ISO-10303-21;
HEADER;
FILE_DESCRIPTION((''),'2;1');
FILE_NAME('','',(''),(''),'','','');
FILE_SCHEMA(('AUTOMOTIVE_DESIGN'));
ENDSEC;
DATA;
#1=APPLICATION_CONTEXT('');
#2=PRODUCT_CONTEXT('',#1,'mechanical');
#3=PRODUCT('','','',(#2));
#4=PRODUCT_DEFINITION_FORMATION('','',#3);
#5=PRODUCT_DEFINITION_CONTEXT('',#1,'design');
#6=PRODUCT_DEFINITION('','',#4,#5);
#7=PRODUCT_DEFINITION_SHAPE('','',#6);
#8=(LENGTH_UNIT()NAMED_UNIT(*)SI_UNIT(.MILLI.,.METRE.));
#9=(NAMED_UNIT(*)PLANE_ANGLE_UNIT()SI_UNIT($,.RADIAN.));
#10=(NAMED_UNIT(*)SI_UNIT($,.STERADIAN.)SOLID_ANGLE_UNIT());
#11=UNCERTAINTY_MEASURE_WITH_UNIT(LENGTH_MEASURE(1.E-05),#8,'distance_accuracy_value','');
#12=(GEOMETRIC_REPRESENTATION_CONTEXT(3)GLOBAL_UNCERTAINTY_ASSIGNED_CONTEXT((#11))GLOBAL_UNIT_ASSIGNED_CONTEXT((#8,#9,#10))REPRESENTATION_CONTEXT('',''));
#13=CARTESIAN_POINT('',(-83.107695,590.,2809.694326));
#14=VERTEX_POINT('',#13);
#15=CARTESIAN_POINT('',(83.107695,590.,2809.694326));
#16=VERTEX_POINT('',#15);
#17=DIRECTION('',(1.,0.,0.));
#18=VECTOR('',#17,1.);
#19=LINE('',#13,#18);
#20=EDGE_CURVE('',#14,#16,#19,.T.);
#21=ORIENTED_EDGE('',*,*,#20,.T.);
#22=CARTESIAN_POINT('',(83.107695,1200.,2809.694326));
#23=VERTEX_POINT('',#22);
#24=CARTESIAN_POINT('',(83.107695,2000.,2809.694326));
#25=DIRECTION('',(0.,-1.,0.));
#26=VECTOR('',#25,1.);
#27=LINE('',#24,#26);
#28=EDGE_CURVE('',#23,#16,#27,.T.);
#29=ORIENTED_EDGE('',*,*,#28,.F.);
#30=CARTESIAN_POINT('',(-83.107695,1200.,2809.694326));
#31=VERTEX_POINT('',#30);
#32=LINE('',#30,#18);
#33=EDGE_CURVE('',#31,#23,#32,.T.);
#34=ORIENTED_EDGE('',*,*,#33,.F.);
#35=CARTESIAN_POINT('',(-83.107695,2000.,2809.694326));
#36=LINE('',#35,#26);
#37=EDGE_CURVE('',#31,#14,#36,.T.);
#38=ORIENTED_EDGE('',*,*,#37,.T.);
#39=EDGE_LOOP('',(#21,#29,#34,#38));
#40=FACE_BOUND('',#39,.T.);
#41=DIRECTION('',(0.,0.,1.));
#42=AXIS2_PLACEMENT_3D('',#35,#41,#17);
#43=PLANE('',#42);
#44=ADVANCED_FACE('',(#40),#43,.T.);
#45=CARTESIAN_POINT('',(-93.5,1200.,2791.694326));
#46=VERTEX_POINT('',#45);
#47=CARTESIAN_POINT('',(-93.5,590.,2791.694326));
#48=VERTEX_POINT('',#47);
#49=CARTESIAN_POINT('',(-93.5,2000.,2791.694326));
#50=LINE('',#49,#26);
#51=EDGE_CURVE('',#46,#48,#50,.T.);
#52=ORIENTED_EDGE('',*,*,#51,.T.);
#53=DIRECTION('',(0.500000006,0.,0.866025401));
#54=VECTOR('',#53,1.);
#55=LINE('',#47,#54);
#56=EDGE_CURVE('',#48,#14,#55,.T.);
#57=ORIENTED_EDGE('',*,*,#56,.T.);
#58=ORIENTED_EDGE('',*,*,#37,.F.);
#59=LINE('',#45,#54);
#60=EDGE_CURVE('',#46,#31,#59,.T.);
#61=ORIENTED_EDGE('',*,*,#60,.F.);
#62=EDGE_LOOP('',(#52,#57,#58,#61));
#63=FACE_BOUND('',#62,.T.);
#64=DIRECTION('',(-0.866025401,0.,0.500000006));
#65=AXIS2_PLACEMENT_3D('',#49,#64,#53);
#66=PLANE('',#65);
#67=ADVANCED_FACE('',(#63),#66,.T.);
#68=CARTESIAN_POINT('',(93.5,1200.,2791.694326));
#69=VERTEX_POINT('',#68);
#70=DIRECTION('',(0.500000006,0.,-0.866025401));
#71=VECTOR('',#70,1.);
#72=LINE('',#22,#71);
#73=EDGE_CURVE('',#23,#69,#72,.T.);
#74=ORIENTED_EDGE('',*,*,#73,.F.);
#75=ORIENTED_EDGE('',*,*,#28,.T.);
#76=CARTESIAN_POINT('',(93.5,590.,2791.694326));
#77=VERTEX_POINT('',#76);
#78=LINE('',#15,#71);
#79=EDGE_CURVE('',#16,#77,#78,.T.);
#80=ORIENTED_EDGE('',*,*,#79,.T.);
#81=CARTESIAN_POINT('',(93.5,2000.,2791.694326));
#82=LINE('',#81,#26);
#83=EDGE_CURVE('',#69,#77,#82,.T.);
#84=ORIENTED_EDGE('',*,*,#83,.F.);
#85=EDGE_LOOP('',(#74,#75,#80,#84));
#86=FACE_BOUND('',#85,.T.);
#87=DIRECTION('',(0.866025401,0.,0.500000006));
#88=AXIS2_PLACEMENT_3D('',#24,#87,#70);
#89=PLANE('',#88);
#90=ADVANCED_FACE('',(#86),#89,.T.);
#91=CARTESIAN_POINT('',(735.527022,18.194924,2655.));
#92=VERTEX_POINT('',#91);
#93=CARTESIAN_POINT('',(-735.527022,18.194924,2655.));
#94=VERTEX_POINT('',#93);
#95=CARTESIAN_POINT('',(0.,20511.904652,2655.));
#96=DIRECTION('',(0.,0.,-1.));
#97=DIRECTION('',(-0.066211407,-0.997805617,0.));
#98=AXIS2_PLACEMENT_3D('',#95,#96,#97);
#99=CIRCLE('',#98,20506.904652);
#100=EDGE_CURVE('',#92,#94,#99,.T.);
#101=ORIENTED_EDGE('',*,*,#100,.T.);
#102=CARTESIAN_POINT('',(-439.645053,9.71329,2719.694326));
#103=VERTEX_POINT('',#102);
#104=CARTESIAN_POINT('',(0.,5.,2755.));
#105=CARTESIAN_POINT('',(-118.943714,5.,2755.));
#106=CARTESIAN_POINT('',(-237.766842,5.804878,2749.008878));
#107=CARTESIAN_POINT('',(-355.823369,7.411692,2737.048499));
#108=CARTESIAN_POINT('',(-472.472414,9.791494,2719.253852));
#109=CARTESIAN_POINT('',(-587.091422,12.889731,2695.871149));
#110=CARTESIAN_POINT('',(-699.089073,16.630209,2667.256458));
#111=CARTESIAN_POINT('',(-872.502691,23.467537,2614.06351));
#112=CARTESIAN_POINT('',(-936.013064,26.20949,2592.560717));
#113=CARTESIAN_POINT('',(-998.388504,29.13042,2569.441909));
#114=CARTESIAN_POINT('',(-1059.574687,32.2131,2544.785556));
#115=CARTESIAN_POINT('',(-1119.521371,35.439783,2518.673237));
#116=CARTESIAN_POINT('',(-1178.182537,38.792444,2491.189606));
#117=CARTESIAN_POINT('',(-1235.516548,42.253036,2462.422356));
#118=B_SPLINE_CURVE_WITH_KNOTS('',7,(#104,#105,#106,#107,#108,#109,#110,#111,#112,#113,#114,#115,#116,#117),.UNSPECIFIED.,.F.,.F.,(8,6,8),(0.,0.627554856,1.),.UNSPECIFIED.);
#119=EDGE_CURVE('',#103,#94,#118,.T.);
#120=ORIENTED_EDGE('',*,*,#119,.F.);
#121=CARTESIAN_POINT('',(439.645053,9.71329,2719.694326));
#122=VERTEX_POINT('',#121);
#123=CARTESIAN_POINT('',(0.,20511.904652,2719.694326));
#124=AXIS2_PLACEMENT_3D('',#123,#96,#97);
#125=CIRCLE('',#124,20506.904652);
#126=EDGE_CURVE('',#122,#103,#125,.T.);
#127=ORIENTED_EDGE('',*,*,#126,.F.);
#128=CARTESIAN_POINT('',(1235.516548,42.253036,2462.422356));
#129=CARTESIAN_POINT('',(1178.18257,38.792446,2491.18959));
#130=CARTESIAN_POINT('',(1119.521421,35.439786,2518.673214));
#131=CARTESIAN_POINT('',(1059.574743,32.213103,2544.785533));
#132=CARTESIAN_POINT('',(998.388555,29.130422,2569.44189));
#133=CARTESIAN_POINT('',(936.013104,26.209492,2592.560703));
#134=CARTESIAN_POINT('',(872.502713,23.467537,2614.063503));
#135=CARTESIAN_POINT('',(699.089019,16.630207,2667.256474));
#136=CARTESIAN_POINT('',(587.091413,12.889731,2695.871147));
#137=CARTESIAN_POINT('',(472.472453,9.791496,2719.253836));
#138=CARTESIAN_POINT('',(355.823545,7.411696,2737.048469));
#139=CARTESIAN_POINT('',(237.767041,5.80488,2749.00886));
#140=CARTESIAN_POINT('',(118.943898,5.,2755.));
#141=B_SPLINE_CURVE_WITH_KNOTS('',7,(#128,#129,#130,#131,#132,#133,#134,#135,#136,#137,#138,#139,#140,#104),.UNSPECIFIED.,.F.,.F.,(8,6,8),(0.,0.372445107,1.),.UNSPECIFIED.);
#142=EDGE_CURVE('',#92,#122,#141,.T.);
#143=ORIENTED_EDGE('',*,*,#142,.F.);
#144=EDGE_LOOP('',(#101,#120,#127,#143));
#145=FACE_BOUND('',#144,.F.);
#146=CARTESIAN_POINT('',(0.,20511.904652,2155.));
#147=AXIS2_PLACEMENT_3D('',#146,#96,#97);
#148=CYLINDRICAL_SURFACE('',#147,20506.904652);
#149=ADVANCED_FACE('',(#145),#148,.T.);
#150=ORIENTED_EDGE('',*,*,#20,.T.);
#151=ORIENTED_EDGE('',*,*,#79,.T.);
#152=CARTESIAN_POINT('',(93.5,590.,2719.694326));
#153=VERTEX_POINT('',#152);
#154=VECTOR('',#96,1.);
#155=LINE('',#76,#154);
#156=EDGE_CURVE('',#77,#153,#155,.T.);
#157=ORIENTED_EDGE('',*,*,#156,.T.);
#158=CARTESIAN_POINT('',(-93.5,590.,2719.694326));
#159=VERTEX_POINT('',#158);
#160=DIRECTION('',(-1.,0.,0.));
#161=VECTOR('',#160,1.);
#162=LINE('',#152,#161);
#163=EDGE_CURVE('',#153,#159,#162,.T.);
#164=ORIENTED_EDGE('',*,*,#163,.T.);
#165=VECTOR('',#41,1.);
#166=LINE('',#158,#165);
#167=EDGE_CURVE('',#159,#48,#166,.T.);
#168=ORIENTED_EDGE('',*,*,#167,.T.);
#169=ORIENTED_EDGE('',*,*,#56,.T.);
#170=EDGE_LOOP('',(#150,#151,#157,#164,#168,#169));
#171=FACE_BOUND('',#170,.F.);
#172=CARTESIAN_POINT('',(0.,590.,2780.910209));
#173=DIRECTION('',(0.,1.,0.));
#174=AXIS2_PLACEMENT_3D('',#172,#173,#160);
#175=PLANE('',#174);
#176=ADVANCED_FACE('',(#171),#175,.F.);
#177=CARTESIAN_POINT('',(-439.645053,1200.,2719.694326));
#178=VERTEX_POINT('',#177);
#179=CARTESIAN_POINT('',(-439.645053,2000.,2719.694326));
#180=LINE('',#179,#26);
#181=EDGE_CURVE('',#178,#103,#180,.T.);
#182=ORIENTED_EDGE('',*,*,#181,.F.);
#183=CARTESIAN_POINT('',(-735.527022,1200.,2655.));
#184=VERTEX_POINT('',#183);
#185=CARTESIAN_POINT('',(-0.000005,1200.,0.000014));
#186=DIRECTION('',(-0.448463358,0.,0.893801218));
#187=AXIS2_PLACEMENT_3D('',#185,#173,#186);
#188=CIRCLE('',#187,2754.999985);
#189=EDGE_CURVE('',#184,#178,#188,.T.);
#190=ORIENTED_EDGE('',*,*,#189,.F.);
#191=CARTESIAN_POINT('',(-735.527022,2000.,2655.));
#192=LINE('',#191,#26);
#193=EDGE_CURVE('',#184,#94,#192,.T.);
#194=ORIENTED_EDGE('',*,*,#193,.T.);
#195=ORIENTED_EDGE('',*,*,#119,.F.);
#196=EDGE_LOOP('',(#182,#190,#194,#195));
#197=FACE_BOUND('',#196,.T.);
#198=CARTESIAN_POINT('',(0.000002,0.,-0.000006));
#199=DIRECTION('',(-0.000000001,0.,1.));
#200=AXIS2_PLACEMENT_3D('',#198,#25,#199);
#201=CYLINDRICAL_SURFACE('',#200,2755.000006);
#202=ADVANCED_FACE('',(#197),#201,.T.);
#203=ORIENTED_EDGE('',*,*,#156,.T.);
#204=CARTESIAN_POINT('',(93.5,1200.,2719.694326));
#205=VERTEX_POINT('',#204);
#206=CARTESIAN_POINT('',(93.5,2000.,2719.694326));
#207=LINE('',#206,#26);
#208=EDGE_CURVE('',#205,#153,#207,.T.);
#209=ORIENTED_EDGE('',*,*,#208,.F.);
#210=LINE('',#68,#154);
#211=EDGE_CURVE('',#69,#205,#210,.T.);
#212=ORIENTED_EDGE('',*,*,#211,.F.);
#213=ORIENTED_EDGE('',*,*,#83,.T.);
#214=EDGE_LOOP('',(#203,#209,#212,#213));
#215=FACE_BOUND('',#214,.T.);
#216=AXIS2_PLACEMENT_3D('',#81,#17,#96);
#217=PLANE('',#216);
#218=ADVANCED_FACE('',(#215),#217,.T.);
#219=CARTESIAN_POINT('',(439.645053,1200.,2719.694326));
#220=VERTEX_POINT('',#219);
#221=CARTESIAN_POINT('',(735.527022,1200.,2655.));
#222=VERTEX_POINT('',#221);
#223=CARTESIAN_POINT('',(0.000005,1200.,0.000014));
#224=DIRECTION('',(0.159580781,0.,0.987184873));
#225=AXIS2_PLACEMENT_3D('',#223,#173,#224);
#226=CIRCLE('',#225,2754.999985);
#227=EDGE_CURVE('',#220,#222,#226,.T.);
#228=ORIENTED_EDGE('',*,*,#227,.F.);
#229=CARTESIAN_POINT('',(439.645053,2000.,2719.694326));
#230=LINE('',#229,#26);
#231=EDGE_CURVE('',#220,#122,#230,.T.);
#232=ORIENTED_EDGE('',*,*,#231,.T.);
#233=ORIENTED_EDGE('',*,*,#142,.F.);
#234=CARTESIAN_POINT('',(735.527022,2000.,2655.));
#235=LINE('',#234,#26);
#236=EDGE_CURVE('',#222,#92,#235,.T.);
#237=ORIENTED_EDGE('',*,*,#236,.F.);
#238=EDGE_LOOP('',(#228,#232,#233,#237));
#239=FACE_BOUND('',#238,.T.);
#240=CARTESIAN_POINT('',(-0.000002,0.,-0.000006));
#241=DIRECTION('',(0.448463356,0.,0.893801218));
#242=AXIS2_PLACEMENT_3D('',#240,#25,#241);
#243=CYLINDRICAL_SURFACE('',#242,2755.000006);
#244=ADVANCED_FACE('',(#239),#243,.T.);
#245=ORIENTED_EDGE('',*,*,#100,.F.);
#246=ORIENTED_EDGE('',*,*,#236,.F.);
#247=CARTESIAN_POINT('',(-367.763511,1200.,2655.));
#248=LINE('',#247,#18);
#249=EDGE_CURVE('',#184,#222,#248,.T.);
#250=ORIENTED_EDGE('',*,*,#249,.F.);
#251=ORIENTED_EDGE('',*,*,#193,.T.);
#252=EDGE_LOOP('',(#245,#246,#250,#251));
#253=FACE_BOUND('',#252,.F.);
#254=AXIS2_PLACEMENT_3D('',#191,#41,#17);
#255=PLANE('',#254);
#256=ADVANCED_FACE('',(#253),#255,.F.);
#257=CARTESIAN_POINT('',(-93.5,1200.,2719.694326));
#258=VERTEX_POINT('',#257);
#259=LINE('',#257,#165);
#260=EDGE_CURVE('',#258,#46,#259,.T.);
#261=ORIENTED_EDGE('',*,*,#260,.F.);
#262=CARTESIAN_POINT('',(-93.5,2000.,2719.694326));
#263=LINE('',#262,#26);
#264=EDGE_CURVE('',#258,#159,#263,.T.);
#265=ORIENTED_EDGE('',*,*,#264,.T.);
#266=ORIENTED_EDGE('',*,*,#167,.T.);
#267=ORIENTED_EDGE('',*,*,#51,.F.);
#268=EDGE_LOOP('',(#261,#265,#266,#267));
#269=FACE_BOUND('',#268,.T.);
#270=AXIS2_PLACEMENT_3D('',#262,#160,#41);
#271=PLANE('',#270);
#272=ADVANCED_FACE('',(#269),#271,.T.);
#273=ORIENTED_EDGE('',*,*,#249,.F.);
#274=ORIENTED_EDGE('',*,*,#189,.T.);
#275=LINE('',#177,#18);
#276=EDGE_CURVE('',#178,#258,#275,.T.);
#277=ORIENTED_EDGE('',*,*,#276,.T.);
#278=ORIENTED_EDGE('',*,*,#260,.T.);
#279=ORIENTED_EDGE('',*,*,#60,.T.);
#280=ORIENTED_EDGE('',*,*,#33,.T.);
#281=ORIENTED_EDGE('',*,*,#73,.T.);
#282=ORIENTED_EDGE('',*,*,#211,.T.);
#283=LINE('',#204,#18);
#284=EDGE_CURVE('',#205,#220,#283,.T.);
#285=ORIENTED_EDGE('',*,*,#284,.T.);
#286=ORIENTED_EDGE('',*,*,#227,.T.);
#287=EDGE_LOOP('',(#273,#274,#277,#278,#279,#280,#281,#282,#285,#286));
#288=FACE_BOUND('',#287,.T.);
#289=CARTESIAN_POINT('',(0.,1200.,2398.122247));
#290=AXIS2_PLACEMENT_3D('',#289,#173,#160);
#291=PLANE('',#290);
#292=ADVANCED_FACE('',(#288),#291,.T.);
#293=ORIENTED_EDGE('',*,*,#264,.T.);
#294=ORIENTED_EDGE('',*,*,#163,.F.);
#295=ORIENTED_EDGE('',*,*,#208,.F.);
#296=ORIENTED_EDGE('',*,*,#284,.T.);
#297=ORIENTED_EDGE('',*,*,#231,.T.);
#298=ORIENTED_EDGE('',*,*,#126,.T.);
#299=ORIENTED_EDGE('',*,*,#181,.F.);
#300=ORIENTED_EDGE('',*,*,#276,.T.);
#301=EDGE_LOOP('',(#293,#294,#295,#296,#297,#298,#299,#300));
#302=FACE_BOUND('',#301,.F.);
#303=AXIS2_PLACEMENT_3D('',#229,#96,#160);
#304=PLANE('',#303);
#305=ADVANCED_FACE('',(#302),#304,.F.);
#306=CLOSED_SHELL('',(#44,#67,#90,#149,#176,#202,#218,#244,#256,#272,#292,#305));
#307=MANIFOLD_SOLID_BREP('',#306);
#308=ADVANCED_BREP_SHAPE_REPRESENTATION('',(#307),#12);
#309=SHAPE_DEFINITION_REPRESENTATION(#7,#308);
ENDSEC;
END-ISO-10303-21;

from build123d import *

# Parameters (mm, degrees)
F1_DEPTH  = 2000
F3_DEPTH  = 600.001
F6_DEPTH  = 1995.001
F8_DEPTH  = 1410
F10_DEPTH = 800
F12_DEPTH = 1995.001


with BuildPart() as f1:
    # F0 (on Front) → F1 (new body)
    with BuildSketch(Plane.XZ):
        with BuildLine():
            ThreePointArc((1355.2, 2268.467492), (1322.870911, 2382.422107), (1235.516548, 2462.422356))
            ThreePointArc((1235.516548, 2462.422356), (634.843055, 2680.85794), (0, 2755))
            ThreePointArc((0, 2755), (-634.843055, 2680.85794), (-1235.516548, 2462.422356))
            ThreePointArc((-1235.516548, 2462.422356), (-1322.870911, 2382.422107), (-1355.2, 2268.467492))
            Line((-1355.2, 2268.467492), (-1357.791007, 2155))
            Line((-1357.791007, 2155), (0, 2155))
            Line((0, 2155), (1357.791007, 2155))
            Line((1357.791007, 2155), (1355.2, 2268.467492))
        make_face()
    extrude(amount=-F1_DEPTH)

    # F2 (on face) → F3 (cut, through all)
    with BuildSketch(Plane(origin=(0, 0, 2155), x_dir=(1, 0, 0), z_dir=(0, 0, -1))):
        with BuildLine():
            ThreePointArc((-1357.791007, -50), (0, -5), (1357.791007, -50))
            Line((1357.791007, -50), (1357.791007, 0))
            Line((1357.791007, 0), (-1357.791007, 0))
            Line((-1357.791007, 0), (-1357.791007, -50))
        make_face()
    extrude(amount=-F3_DEPTH, mode=Mode.SUBTRACT)

    # F5 (on face) → F6 (cut, through all)
    with BuildSketch(Plane(origin=(0, 2000, 0), x_dir=(-1, 0, 0), z_dir=(0, 1, 0))):
        with BuildLine():
            Line((-439.645053, 2719.694326), (0, 2719.694326))
            Line((0, 2719.694326), (439.645053, 2719.694326))
            ThreePointArc((439.645053, 2719.694326), (220.530193, 2746.159397), (0, 2755))
            ThreePointArc((0, 2755), (-220.530193, 2746.159397), (-439.645053, 2719.694326))
        make_face()
    extrude(amount=-F6_DEPTH, mode=Mode.SUBTRACT)

    # F7 (on face) → F8 (join)
    with BuildSketch(Plane(origin=(0, 2000, 0), x_dir=(-1, 0, 0), z_dir=(0, 1, 0))):
        with BuildLine():
            ThreePointArc((-93.5, 2753.412928), (0, 2755), (93.5, 2753.412928))
            Line((93.5, 2753.412928), (93.5, 2791.694326))
            Line((93.5, 2791.694326), (83.107695, 2809.694326))
            Line((83.107695, 2809.694326), (0, 2809.694326))
            Line((0, 2809.694326), (-83.107695, 2809.694326))
            Line((-83.107695, 2809.694326), (-93.5, 2791.694326))
            Line((-93.5, 2791.694326), (-93.5, 2753.412928))
        make_face()
        with BuildLine():
            Line((-93.5, 2719.694326), (93.5, 2719.694326))
            Line((93.5, 2719.694326), (93.5, 2753.412928))
            ThreePointArc((93.5, 2753.412928), (0, 2755), (-93.5, 2753.412928))
            Line((-93.5, 2753.412928), (-93.5, 2719.694326))
        make_face()
    extrude(amount=-F8_DEPTH)

    # F9 (on face) → F10 (cut)
    with BuildSketch(Plane(origin=(0, 2000, 0), x_dir=(-1, 0, 0), z_dir=(0, 1, 0))):
        with BuildLine():
            ThreePointArc((1355.2, 2268.467492), (1322.870911, 2382.422107), (1235.516548, 2462.422356))
            ThreePointArc((1235.516548, 2462.422356), (847.401212, 2621.437809), (439.645053, 2719.694326))
            Line((439.645053, 2719.694326), (93.5, 2719.694326))
            Line((93.5, 2719.694326), (93.5, 2791.694326))
            Line((93.5, 2791.694326), (83.107695, 2809.694326))
            Line((83.107695, 2809.694326), (-83.107695, 2809.694326))
            Line((-83.107695, 2809.694326), (-93.5, 2791.694326))
            Line((-93.5, 2791.694326), (-93.5, 2719.694326))
            Line((-93.5, 2719.694326), (-439.645053, 2719.694326))
            ThreePointArc((-439.645053, 2719.694326), (-847.401212, 2621.437809), (-1235.516548, 2462.422356))
            ThreePointArc((-1235.516548, 2462.422356), (-1322.870911, 2382.422107), (-1355.2, 2268.467492))
            Line((-1355.2, 2268.467492), (-1357.791007, 2155))
            Line((-1357.791007, 2155), (1357.791007, 2155))
            Line((1357.791007, 2155), (1355.2, 2268.467492))
        make_face()
    extrude(amount=-F10_DEPTH, mode=Mode.SUBTRACT)

    # F11 (on face) → F12 (cut, through all)
    with BuildSketch(Plane(origin=(0, 2000, 0), x_dir=(-1, 0, 0), z_dir=(0, 1, 0))):
        with BuildLine():
            Line((735.527022, 2655), (-735.527022, 2655))
            ThreePointArc((-735.527022, 2655), (-990.214485, 2570.894839), (-1235.516548, 2462.422356))
            ThreePointArc((-1235.516548, 2462.422356), (-1322.870911, 2382.422107), (-1355.2, 2268.467492))
            Line((-1355.2, 2268.467492), (-1357.791007, 2155))
            Line((-1357.791007, 2155), (1357.791007, 2155))
            Line((1357.791007, 2155), (1355.2, 2268.467492))
            ThreePointArc((1355.2, 2268.467492), (1322.870911, 2382.422107), (1235.516548, 2462.422356))
            ThreePointArc((1235.516548, 2462.422356), (990.214485, 2570.894839), (735.527022, 2655))
        make_face()
    extrude(amount=-F12_DEPTH, mode=Mode.SUBTRACT)


solid = f1.part
